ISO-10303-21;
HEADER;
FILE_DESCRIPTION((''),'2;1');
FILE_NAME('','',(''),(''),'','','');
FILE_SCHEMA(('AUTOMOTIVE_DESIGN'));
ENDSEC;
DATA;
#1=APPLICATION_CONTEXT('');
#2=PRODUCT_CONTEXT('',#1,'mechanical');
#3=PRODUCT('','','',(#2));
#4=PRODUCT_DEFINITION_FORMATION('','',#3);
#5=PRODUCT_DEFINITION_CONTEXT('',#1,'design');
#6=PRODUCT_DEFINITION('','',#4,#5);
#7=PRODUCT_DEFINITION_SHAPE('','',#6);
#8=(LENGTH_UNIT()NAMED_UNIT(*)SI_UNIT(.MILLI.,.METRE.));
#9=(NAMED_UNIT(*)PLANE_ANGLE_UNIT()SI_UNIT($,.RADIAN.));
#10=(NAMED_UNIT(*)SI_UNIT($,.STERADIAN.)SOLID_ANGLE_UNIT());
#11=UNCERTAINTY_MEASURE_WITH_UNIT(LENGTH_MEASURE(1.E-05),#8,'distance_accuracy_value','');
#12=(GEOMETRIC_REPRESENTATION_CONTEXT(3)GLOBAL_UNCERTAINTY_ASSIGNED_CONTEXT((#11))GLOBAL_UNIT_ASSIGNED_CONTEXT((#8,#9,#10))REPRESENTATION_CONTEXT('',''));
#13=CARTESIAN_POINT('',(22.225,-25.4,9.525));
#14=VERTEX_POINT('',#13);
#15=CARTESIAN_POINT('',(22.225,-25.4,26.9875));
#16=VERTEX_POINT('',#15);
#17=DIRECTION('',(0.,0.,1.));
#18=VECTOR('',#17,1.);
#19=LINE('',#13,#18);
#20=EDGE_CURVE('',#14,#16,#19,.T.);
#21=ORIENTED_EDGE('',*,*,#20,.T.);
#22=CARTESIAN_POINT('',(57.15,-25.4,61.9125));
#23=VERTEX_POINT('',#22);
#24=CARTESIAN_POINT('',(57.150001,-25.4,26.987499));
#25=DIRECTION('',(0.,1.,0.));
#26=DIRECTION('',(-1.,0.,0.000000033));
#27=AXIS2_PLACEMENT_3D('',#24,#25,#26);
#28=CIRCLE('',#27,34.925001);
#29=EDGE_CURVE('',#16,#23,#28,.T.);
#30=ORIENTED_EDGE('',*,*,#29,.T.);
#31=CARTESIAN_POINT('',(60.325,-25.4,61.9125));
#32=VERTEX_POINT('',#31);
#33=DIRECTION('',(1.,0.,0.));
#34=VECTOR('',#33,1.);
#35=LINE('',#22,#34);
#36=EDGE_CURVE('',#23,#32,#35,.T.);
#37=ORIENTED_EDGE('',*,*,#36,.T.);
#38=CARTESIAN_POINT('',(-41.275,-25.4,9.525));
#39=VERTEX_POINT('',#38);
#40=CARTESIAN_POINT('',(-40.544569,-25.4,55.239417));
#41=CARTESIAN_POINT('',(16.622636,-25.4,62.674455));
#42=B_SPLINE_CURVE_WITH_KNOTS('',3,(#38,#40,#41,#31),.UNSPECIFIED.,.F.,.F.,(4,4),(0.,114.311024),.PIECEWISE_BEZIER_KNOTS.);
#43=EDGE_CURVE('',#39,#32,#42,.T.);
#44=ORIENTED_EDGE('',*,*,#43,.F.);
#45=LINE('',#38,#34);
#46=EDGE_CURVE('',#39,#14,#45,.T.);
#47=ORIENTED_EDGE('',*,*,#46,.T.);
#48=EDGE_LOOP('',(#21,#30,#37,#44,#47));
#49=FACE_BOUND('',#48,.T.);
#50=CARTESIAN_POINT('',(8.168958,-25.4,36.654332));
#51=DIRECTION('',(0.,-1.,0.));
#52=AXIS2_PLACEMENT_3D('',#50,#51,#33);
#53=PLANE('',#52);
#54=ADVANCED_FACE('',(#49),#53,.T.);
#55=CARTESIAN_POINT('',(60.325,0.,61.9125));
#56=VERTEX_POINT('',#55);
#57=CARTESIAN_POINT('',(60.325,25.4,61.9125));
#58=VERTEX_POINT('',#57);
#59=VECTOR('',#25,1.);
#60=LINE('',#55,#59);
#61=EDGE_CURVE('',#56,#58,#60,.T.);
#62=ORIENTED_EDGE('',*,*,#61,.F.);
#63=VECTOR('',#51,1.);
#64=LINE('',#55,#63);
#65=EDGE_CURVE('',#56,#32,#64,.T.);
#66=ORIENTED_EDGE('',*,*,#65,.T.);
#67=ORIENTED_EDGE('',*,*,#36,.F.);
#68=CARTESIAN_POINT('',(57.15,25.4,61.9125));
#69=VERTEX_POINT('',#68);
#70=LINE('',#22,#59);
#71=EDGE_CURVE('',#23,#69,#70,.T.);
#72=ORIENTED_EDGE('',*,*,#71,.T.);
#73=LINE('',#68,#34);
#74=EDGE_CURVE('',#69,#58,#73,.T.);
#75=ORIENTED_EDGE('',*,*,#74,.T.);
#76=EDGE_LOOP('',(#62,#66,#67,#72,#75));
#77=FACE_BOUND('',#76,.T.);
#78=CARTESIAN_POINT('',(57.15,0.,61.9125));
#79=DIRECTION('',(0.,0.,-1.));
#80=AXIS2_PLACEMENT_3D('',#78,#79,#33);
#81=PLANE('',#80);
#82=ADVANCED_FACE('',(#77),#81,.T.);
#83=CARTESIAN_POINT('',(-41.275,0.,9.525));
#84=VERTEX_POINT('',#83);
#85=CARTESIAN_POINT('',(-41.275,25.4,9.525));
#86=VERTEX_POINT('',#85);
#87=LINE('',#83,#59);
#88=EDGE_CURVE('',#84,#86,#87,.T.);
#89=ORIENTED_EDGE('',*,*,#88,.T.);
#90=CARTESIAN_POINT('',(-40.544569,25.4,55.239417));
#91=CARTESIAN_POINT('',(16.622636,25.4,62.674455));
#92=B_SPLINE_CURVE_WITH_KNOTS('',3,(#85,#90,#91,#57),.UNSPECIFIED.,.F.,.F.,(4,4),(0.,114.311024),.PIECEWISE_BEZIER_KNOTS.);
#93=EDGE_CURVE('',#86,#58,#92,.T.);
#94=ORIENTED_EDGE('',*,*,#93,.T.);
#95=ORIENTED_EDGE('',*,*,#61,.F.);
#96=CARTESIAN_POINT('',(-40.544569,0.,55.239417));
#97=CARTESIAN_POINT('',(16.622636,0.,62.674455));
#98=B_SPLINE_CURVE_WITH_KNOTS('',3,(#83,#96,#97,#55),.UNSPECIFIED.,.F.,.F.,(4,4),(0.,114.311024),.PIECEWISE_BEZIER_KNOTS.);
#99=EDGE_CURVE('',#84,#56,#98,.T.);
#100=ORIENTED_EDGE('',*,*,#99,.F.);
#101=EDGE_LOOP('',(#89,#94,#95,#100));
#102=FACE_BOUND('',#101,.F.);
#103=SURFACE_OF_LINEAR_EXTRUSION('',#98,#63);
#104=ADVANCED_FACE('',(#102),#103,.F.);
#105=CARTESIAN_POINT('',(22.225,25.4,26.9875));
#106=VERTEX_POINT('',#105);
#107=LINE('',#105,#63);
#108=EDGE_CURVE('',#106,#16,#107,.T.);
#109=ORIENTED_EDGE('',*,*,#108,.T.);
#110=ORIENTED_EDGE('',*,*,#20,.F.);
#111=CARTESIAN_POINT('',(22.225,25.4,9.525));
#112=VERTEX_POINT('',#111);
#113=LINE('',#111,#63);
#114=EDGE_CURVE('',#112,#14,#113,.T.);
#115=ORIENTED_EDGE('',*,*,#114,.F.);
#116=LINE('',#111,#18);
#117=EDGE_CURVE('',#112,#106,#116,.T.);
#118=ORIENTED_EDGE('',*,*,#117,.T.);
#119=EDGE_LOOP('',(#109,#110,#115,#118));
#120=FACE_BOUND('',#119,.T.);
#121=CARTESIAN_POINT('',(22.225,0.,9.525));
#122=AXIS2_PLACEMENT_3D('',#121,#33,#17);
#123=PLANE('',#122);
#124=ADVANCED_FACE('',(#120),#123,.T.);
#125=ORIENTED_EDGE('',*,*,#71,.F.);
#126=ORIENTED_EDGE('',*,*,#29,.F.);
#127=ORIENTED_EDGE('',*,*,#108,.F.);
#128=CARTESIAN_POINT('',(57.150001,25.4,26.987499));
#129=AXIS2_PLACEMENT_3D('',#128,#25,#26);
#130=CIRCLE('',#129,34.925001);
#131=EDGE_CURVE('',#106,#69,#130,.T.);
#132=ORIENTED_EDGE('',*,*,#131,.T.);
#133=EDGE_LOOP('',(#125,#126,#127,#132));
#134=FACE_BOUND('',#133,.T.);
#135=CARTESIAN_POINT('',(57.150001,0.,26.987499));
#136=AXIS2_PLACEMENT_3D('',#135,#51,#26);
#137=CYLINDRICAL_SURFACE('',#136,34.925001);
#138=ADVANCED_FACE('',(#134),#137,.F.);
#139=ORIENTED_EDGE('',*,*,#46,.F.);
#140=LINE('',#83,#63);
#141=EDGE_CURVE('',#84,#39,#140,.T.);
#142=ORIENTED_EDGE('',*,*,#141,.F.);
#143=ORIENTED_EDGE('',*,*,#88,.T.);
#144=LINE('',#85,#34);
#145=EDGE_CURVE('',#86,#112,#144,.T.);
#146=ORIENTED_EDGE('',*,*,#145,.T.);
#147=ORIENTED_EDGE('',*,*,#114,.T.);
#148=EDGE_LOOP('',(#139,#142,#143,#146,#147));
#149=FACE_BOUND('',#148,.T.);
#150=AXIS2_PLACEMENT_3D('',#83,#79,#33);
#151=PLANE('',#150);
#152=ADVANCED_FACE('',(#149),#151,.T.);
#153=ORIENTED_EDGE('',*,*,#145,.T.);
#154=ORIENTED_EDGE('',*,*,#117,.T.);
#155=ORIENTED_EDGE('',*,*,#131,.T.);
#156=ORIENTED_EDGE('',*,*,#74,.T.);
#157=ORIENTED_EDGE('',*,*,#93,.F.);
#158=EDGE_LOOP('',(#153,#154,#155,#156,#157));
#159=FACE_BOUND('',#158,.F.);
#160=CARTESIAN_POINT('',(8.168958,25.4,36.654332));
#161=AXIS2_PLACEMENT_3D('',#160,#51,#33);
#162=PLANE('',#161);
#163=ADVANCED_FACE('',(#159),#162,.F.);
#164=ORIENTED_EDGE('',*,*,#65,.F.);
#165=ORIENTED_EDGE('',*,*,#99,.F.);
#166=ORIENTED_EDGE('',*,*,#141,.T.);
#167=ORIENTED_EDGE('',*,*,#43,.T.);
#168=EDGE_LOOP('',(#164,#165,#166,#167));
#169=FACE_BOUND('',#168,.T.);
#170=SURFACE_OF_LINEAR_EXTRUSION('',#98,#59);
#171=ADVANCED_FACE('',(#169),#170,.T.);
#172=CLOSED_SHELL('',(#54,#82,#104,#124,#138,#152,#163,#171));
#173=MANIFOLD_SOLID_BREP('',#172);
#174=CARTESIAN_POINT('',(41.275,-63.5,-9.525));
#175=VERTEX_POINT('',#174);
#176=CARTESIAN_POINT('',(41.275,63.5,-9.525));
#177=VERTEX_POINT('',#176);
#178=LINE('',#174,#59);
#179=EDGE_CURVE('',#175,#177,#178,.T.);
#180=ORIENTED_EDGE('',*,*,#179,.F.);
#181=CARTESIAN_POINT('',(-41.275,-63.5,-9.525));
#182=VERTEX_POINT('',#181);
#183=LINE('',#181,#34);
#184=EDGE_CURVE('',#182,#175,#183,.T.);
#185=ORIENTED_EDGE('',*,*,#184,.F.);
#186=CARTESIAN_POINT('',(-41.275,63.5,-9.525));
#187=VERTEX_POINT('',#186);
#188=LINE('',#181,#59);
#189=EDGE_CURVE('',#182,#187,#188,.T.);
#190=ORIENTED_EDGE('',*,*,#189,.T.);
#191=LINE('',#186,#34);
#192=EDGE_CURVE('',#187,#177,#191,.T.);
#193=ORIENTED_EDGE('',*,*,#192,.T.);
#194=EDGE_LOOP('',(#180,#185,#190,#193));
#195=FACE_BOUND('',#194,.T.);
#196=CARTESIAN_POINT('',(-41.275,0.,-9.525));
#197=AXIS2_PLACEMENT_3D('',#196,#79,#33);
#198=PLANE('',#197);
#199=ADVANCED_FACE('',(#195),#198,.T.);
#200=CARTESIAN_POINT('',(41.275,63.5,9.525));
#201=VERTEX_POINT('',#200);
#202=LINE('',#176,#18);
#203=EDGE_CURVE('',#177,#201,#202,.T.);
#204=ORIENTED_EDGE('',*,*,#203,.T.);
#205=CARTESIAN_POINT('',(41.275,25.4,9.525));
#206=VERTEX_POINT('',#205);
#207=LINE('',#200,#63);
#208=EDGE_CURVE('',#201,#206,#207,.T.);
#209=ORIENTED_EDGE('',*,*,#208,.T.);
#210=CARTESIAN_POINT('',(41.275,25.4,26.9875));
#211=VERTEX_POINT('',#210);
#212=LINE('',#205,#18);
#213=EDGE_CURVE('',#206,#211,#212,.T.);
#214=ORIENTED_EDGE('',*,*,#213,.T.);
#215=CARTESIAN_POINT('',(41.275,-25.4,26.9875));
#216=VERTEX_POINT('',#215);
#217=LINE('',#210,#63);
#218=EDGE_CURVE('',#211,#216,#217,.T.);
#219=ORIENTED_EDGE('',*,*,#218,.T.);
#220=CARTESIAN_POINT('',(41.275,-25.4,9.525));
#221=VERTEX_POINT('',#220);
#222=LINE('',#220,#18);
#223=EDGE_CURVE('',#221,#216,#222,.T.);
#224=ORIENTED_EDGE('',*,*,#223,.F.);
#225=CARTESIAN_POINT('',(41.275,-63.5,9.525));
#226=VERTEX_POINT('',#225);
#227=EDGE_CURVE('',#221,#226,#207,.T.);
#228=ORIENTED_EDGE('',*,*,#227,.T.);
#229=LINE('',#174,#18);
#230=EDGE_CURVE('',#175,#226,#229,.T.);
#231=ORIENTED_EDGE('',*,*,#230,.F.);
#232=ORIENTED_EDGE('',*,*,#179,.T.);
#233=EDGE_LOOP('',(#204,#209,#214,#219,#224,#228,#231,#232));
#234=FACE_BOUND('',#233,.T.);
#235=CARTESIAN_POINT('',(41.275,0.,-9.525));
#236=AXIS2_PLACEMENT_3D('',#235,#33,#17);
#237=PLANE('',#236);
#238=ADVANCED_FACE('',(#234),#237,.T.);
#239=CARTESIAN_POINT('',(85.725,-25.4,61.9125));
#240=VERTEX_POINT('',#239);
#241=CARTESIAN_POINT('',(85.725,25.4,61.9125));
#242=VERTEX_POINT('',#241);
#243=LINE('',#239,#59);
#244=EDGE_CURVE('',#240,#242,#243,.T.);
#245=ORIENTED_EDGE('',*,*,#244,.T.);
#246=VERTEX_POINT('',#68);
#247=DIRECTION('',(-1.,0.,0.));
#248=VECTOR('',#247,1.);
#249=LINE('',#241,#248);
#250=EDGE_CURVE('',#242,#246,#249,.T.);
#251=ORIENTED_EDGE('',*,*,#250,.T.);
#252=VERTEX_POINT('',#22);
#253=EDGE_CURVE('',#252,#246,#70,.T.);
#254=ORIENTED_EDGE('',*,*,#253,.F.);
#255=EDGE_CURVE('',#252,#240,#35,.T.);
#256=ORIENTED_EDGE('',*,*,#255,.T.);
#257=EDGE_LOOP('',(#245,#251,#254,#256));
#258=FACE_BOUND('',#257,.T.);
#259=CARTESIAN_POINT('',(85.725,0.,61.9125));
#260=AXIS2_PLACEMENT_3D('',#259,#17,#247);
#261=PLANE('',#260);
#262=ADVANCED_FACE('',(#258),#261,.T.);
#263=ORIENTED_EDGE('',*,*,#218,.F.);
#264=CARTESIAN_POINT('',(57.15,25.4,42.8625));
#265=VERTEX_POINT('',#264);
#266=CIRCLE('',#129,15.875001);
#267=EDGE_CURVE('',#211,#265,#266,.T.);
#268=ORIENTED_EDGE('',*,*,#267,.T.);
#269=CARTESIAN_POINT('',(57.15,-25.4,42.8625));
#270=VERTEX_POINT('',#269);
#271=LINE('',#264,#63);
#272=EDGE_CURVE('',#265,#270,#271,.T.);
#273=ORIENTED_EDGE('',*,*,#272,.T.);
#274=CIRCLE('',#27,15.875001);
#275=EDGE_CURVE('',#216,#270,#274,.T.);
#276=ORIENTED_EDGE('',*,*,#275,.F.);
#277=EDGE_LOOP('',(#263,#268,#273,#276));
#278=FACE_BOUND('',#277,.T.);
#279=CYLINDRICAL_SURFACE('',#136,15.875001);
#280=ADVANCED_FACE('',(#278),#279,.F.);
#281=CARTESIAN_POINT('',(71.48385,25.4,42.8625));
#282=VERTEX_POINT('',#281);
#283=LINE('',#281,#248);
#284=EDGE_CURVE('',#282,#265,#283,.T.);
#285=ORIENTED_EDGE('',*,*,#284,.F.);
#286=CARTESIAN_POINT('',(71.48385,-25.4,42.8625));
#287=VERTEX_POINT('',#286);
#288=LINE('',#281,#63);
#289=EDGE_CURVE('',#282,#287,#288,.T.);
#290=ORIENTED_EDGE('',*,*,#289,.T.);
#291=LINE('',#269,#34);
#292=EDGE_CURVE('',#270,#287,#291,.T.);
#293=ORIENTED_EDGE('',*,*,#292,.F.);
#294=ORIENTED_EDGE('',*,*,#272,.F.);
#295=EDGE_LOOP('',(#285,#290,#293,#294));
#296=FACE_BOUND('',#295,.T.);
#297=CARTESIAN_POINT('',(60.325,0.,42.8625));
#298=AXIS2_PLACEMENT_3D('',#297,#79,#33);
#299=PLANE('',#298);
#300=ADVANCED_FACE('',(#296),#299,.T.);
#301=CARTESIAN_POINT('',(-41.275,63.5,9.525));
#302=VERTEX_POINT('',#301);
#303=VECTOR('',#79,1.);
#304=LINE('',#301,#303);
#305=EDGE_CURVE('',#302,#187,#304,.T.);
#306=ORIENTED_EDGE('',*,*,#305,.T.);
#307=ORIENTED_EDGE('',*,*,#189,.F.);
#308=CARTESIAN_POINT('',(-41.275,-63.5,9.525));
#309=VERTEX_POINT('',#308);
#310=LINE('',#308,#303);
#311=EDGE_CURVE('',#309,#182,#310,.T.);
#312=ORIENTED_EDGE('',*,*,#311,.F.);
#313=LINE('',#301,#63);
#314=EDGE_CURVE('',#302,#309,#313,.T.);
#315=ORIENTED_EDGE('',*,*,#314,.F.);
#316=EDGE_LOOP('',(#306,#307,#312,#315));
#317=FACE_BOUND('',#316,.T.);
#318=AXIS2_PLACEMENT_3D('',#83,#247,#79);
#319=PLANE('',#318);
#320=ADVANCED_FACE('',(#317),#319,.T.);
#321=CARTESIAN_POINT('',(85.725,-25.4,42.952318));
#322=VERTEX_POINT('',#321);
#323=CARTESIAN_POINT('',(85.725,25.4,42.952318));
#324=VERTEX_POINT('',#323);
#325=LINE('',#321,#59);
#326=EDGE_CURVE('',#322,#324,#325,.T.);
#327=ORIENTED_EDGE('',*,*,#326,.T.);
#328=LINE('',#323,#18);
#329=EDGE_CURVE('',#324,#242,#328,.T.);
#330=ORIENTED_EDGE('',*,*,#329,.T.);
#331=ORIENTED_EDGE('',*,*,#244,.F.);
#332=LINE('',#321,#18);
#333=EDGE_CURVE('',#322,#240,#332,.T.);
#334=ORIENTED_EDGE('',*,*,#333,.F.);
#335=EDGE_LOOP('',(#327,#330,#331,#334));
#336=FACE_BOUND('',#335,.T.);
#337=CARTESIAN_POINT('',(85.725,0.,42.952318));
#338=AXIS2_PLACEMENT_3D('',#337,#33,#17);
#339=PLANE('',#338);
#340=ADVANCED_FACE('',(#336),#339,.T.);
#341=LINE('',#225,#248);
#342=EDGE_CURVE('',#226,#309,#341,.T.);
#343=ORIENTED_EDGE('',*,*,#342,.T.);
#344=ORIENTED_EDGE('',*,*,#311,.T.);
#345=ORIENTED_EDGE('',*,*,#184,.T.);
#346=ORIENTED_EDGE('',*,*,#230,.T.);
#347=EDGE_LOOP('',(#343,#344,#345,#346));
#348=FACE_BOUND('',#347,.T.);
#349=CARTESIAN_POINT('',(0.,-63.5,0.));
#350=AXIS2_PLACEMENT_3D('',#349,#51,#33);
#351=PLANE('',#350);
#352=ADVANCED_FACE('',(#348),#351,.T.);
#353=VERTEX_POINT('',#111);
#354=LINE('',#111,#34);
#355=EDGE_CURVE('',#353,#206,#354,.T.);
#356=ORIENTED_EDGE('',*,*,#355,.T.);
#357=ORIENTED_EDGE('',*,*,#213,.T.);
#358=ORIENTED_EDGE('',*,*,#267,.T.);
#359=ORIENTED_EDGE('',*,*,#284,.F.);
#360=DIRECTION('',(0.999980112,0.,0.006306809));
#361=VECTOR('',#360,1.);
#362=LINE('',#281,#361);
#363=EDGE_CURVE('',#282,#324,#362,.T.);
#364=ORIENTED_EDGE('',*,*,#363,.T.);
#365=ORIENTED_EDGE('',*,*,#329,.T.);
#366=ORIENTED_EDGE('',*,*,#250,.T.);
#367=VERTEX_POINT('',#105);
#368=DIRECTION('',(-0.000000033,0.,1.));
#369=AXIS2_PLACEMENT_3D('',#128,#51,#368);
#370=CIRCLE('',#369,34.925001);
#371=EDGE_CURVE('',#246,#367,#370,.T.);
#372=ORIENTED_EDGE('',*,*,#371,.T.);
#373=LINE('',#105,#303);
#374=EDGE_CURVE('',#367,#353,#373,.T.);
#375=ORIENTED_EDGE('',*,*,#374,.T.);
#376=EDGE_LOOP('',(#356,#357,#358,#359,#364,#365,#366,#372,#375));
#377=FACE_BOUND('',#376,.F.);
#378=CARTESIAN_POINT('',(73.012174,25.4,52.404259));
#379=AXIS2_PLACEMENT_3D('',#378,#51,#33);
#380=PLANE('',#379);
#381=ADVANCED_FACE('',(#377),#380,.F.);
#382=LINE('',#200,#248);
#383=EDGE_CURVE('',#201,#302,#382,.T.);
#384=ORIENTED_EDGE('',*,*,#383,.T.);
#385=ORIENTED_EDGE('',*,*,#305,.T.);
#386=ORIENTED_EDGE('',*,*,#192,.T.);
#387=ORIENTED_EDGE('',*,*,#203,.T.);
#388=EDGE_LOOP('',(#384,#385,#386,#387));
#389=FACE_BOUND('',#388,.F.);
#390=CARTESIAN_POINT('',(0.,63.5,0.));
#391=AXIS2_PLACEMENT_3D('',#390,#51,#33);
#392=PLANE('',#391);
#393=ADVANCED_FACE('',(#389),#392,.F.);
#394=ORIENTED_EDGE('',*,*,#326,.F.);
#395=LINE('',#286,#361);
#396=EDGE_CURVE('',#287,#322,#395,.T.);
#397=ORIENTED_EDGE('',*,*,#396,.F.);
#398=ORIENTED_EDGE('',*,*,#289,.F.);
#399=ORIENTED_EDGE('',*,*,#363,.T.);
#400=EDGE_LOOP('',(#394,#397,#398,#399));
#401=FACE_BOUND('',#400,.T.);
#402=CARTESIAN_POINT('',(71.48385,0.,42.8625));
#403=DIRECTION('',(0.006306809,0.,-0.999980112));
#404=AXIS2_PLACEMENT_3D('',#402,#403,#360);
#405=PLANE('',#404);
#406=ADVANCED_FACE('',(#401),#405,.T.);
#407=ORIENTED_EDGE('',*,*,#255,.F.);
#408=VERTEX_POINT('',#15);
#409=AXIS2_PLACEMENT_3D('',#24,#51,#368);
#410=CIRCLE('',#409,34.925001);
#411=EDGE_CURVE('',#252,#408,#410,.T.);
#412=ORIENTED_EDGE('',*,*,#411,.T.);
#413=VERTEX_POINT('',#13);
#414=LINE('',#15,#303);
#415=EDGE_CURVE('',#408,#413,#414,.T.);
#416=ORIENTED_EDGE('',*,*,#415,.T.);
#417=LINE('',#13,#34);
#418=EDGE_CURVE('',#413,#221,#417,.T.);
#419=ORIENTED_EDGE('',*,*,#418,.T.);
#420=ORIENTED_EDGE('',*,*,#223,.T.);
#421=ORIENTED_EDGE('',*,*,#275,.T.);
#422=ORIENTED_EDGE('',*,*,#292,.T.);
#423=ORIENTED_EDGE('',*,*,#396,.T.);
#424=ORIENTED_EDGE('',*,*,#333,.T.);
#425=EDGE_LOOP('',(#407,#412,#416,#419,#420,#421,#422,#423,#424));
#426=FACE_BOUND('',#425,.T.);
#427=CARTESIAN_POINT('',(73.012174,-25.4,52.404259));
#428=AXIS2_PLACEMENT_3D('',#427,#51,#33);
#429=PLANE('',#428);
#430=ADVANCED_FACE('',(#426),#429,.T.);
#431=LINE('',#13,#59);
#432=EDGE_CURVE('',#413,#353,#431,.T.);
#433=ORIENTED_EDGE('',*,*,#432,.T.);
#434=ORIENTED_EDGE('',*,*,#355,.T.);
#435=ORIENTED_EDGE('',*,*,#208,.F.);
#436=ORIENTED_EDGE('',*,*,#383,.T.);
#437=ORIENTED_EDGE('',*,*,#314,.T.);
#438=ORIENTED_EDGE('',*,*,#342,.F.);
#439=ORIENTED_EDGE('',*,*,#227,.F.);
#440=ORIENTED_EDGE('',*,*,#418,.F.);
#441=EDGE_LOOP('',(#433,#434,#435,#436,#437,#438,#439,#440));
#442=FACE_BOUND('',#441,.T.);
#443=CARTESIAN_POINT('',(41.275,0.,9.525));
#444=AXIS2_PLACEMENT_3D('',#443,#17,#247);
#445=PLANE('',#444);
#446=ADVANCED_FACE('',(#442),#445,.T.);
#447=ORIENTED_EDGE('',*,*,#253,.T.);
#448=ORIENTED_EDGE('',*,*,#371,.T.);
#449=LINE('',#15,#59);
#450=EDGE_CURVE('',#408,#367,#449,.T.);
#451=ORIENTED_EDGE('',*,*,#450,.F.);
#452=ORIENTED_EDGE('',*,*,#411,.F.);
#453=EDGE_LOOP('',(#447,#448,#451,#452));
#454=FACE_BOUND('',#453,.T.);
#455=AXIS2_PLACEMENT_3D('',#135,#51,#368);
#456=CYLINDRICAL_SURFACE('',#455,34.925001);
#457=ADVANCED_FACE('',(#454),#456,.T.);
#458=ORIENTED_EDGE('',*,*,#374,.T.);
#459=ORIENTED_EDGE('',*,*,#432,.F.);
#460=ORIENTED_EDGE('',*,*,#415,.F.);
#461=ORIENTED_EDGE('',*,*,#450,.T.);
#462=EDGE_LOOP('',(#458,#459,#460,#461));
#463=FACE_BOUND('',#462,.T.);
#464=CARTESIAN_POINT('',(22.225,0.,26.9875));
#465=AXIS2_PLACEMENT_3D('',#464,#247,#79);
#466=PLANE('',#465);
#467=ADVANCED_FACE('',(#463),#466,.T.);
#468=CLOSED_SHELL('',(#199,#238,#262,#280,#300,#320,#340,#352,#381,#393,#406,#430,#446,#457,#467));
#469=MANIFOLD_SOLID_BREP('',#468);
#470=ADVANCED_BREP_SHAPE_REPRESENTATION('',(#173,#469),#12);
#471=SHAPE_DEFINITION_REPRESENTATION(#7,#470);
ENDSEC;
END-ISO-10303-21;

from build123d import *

# Parameters (mm, degrees)
F1_DEPTH = 63.5
F2_DEPTH = 25.4
F3_DEPTH = 25.4
F4_DEPTH = 25.4


with BuildPart() as f1:
    # F0 (on Front) → F1 (new body, symmetric)
    with BuildSketch(Plane.XZ):
        Polygon((41.275, -9.525), (41.275, 9.525), (22.225, 9.525), (-41.275, 9.525), (-41.275, -9.525), align=None)
    extrude(amount=F1_DEPTH, both=True)

    # F0 (on Front) → F2 (join, symmetric)
    with BuildSketch(Plane.XZ):
        with BuildLine():
            Line((22.225, 9.525), (41.275, 9.525))
            Line((41.275, 9.525), (41.275, 26.9875))
            ThreePointArc((41.275, 26.9875), (45.92468, 38.21282), (57.15, 42.8625))
            Line((57.15, 42.8625), (60.325, 42.8625))
            Line((60.325, 42.8625), (60.325, 61.9125))
            Line((60.325, 61.9125), (57.15, 61.9125))
            ThreePointArc((57.15, 61.9125), (32.454296, 51.683204), (22.225, 26.9875))
            Line((22.225, 26.9875), (22.225, 9.525))
        make_face()
    extrude(amount=F2_DEPTH, both=True)

    # F0 (on Front) → F3 (join, symmetric)
    with BuildSketch(Plane.XZ):
        Polygon((71.48385, 61.9125), (60.325, 61.9125), (60.325, 42.8625), (71.48385, 42.8625), (85.725, 42.952318), (85.725, 61.9125), align=None)
    extrude(amount=F3_DEPTH, both=True)


with BuildPart() as f4:
    # F0 (on Front) → F4 (new body, symmetric)
    with BuildSketch(Plane.XZ):
        with BuildLine():
            Line((-41.275, 9.525), (22.225, 9.525))
            Line((22.225, 9.525), (22.225, 26.9875))
            ThreePointArc((22.225, 26.9875), (32.454296, 51.683204), (57.15, 61.9125))
            Line((57.15, 61.9125), (60.325, 61.9125))
            add(Edge.make_bspline(
                [(-41.275, 9.525), (-40.544569, 55.239417), (16.622636, 62.674455), (60.325, 61.9125)],
                knots=[0, 0, 0, 0, 114.311024, 114.311024, 114.311024, 114.311024], degree=3))
        make_face()
    extrude(amount=F4_DEPTH, both=True)


solid = Compound([f1.part, f4.part])
